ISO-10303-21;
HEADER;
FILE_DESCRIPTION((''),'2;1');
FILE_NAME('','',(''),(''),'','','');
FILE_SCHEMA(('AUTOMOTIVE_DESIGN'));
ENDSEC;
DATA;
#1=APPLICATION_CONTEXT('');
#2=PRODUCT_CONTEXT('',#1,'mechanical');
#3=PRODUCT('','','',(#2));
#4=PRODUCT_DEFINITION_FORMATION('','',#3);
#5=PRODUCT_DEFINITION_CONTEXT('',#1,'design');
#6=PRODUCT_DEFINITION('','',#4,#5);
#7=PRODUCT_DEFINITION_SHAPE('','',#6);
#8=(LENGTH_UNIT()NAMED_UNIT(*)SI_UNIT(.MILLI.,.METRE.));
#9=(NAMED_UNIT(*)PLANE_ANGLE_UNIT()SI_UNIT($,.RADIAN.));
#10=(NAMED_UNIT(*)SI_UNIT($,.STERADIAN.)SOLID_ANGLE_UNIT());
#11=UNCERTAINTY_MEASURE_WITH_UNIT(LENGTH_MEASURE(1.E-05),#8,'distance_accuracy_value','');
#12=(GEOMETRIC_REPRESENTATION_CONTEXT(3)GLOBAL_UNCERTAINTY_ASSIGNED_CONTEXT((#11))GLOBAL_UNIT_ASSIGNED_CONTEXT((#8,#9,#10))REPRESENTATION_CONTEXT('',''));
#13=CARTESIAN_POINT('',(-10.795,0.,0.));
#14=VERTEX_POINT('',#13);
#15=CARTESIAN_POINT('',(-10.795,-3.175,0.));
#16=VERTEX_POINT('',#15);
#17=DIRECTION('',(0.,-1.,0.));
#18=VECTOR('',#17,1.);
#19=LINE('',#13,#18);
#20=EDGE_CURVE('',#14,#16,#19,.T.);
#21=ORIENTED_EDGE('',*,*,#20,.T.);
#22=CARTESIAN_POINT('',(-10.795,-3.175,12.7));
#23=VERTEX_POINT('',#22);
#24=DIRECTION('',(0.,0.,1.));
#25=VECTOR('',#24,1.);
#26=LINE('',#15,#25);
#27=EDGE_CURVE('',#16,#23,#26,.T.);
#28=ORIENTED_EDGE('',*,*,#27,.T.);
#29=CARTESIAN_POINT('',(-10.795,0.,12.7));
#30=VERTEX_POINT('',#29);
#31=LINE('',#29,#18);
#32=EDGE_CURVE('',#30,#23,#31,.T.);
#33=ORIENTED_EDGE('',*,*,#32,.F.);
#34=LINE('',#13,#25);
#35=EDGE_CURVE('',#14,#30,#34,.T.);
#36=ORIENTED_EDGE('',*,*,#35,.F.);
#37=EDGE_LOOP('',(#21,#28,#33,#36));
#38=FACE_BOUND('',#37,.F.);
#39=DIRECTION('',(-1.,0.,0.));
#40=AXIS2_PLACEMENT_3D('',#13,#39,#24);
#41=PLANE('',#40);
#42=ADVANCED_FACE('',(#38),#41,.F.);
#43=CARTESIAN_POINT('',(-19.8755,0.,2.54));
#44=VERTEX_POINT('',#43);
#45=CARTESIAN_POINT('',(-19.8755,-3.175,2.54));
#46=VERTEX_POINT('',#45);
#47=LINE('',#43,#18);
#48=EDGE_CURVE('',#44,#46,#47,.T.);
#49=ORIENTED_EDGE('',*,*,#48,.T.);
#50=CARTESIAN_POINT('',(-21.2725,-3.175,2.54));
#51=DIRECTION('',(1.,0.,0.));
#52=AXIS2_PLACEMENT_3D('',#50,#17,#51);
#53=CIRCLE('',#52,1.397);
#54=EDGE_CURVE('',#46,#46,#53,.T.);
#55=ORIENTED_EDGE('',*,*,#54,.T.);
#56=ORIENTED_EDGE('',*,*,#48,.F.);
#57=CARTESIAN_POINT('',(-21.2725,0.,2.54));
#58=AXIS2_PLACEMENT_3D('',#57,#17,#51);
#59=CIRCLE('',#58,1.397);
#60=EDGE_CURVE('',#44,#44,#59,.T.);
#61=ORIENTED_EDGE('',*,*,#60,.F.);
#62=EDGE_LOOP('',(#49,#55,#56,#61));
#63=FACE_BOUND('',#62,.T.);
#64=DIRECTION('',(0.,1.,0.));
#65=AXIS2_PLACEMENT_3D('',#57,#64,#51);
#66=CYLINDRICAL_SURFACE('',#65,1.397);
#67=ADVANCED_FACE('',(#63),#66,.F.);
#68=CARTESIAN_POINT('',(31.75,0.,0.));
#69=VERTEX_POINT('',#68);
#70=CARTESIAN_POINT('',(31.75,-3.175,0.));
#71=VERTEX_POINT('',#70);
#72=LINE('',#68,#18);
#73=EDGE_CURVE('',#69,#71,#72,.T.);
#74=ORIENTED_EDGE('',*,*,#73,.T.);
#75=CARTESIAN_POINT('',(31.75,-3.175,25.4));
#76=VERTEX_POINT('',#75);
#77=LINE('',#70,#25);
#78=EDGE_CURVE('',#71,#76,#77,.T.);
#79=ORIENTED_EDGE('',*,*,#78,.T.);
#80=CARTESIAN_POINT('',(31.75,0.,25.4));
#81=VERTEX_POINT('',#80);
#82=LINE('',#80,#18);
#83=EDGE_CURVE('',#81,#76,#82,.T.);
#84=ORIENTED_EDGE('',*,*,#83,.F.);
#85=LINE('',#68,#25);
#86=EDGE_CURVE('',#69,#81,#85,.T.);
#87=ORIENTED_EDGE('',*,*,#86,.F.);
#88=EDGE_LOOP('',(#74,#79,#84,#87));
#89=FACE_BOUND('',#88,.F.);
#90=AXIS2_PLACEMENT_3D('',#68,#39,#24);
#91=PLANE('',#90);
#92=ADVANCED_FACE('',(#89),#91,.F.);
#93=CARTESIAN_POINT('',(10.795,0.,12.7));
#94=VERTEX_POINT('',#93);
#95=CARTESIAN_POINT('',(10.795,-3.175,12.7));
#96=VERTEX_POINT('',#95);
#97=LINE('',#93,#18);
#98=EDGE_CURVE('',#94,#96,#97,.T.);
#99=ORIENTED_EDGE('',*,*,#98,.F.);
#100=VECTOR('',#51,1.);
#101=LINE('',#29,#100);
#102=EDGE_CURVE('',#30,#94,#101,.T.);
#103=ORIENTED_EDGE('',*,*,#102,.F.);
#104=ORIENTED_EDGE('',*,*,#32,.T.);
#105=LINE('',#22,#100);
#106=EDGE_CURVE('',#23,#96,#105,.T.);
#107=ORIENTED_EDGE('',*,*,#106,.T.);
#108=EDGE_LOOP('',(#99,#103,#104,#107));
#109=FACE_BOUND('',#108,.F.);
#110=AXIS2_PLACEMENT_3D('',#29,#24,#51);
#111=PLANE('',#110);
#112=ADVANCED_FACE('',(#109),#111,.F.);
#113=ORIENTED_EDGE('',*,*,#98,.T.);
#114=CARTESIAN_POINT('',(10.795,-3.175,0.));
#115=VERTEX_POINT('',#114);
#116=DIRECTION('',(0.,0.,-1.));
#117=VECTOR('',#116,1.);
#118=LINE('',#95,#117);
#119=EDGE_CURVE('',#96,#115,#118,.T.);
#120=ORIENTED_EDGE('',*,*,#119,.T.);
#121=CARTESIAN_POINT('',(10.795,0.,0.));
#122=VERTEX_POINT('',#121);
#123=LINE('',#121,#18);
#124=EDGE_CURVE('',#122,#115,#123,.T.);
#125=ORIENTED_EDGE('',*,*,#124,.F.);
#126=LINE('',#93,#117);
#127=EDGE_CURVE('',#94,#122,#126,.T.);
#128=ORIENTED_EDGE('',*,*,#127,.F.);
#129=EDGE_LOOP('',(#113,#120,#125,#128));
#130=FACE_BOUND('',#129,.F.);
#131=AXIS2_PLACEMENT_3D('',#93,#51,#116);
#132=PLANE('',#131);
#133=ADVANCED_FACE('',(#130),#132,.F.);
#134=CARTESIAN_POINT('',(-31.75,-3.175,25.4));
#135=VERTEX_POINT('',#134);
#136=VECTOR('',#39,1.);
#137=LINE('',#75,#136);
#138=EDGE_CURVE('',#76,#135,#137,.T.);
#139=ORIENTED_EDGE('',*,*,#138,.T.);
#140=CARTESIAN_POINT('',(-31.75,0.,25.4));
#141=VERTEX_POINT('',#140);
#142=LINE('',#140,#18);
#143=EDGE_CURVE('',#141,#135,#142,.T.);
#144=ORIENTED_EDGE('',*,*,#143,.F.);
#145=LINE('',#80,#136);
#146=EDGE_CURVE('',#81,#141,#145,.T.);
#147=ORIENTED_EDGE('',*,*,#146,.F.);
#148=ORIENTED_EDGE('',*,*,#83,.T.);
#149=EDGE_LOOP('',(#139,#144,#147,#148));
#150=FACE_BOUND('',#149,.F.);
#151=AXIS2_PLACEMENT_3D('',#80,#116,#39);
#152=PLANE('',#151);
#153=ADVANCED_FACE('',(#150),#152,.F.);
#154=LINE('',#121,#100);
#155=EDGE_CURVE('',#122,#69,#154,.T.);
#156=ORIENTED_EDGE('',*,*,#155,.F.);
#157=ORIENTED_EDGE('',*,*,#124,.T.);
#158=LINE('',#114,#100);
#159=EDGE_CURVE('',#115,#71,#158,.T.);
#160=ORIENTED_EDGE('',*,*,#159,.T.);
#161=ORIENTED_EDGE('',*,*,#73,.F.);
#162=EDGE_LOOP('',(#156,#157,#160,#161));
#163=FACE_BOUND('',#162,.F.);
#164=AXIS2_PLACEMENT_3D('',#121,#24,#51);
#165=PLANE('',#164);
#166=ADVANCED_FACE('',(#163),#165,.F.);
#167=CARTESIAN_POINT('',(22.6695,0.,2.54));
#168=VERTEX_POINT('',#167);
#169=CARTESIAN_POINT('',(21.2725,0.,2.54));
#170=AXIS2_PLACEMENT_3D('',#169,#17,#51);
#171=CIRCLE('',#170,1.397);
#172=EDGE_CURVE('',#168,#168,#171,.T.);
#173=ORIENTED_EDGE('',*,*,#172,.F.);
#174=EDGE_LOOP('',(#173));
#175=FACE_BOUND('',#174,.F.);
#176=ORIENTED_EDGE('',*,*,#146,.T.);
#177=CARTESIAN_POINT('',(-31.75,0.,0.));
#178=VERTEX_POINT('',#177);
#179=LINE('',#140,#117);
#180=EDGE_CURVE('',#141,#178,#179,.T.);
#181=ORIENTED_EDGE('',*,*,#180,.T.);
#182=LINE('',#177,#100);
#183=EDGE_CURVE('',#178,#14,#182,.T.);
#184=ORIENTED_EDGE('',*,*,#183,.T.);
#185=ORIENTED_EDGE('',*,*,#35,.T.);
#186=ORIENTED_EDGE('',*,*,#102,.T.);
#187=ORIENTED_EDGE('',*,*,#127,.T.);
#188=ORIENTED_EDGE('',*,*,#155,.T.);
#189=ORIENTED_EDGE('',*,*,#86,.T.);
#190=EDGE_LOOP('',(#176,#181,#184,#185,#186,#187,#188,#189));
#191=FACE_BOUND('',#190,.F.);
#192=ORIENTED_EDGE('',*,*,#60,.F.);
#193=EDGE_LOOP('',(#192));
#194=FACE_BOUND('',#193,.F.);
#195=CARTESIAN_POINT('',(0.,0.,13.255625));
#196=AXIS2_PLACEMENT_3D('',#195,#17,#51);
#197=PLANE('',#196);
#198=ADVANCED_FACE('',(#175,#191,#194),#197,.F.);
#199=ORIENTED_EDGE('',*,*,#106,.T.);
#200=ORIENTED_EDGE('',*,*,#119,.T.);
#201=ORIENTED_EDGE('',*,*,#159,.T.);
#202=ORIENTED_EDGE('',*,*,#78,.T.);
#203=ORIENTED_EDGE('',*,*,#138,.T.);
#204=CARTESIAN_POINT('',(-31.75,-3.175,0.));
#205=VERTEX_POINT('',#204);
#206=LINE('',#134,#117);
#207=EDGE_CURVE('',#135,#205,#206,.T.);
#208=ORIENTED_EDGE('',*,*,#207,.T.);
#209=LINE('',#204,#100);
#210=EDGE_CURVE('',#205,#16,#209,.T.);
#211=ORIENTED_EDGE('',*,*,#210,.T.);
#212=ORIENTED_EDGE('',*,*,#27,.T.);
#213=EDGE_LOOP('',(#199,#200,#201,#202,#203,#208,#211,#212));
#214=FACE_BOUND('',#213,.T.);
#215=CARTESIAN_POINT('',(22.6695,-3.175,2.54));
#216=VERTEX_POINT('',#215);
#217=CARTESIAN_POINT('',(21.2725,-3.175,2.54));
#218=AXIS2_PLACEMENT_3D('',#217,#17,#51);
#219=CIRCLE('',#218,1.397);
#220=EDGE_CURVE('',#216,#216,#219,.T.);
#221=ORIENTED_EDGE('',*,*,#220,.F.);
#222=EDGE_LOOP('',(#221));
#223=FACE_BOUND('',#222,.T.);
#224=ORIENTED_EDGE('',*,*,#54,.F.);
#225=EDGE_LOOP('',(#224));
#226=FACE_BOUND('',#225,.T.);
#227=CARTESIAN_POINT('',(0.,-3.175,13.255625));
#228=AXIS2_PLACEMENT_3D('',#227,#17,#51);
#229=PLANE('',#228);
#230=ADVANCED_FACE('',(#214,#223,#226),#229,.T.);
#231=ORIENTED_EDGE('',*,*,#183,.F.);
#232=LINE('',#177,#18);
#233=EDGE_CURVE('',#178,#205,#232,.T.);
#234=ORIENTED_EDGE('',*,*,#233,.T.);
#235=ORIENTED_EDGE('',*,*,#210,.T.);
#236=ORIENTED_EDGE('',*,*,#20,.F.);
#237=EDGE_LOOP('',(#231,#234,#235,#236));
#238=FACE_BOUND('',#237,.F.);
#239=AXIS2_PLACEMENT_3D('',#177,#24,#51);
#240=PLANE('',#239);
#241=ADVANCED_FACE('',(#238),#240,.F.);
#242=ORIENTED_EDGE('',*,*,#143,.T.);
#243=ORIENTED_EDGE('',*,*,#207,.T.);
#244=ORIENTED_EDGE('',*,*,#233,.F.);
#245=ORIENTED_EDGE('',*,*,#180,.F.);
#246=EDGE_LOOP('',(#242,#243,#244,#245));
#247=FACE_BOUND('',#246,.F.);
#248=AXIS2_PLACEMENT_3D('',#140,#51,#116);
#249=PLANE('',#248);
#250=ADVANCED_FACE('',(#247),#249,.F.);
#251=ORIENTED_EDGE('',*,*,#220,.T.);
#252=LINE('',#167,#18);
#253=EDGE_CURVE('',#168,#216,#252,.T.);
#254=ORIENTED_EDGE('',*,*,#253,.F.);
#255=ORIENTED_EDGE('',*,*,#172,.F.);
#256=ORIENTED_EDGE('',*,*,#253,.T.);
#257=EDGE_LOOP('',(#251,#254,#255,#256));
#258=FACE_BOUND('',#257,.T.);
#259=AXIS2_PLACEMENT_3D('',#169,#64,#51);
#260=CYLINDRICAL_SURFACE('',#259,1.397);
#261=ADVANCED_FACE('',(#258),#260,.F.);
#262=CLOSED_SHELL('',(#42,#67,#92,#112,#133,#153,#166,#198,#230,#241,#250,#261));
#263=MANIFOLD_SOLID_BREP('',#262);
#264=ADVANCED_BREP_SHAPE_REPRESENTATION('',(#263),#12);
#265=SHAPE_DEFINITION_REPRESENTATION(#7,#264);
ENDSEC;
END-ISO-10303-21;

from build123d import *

# Parameters (mm, degrees)
F0_R     = 1.397
F1_DEPTH = 3.175


with BuildPart() as f1:
    # F0 (on Front) → F1 (new body)
    with BuildSketch(Plane.XZ):
        Polygon((31.75, 0), (31.75, 25.4), (-31.75, 25.4), (-31.75, 0), (-10.795, 0), (-10.795, 12.7), (10.795, 12.7), (10.795, 0), align=None)
        with Locations((-21.2725, 2.54)):
            Circle(F0_R, mode=Mode.SUBTRACT)
        with Locations((21.2725, 2.54)):
            Circle(F0_R, mode=Mode.SUBTRACT)
    extrude(amount=F1_DEPTH)


solid = f1.part
